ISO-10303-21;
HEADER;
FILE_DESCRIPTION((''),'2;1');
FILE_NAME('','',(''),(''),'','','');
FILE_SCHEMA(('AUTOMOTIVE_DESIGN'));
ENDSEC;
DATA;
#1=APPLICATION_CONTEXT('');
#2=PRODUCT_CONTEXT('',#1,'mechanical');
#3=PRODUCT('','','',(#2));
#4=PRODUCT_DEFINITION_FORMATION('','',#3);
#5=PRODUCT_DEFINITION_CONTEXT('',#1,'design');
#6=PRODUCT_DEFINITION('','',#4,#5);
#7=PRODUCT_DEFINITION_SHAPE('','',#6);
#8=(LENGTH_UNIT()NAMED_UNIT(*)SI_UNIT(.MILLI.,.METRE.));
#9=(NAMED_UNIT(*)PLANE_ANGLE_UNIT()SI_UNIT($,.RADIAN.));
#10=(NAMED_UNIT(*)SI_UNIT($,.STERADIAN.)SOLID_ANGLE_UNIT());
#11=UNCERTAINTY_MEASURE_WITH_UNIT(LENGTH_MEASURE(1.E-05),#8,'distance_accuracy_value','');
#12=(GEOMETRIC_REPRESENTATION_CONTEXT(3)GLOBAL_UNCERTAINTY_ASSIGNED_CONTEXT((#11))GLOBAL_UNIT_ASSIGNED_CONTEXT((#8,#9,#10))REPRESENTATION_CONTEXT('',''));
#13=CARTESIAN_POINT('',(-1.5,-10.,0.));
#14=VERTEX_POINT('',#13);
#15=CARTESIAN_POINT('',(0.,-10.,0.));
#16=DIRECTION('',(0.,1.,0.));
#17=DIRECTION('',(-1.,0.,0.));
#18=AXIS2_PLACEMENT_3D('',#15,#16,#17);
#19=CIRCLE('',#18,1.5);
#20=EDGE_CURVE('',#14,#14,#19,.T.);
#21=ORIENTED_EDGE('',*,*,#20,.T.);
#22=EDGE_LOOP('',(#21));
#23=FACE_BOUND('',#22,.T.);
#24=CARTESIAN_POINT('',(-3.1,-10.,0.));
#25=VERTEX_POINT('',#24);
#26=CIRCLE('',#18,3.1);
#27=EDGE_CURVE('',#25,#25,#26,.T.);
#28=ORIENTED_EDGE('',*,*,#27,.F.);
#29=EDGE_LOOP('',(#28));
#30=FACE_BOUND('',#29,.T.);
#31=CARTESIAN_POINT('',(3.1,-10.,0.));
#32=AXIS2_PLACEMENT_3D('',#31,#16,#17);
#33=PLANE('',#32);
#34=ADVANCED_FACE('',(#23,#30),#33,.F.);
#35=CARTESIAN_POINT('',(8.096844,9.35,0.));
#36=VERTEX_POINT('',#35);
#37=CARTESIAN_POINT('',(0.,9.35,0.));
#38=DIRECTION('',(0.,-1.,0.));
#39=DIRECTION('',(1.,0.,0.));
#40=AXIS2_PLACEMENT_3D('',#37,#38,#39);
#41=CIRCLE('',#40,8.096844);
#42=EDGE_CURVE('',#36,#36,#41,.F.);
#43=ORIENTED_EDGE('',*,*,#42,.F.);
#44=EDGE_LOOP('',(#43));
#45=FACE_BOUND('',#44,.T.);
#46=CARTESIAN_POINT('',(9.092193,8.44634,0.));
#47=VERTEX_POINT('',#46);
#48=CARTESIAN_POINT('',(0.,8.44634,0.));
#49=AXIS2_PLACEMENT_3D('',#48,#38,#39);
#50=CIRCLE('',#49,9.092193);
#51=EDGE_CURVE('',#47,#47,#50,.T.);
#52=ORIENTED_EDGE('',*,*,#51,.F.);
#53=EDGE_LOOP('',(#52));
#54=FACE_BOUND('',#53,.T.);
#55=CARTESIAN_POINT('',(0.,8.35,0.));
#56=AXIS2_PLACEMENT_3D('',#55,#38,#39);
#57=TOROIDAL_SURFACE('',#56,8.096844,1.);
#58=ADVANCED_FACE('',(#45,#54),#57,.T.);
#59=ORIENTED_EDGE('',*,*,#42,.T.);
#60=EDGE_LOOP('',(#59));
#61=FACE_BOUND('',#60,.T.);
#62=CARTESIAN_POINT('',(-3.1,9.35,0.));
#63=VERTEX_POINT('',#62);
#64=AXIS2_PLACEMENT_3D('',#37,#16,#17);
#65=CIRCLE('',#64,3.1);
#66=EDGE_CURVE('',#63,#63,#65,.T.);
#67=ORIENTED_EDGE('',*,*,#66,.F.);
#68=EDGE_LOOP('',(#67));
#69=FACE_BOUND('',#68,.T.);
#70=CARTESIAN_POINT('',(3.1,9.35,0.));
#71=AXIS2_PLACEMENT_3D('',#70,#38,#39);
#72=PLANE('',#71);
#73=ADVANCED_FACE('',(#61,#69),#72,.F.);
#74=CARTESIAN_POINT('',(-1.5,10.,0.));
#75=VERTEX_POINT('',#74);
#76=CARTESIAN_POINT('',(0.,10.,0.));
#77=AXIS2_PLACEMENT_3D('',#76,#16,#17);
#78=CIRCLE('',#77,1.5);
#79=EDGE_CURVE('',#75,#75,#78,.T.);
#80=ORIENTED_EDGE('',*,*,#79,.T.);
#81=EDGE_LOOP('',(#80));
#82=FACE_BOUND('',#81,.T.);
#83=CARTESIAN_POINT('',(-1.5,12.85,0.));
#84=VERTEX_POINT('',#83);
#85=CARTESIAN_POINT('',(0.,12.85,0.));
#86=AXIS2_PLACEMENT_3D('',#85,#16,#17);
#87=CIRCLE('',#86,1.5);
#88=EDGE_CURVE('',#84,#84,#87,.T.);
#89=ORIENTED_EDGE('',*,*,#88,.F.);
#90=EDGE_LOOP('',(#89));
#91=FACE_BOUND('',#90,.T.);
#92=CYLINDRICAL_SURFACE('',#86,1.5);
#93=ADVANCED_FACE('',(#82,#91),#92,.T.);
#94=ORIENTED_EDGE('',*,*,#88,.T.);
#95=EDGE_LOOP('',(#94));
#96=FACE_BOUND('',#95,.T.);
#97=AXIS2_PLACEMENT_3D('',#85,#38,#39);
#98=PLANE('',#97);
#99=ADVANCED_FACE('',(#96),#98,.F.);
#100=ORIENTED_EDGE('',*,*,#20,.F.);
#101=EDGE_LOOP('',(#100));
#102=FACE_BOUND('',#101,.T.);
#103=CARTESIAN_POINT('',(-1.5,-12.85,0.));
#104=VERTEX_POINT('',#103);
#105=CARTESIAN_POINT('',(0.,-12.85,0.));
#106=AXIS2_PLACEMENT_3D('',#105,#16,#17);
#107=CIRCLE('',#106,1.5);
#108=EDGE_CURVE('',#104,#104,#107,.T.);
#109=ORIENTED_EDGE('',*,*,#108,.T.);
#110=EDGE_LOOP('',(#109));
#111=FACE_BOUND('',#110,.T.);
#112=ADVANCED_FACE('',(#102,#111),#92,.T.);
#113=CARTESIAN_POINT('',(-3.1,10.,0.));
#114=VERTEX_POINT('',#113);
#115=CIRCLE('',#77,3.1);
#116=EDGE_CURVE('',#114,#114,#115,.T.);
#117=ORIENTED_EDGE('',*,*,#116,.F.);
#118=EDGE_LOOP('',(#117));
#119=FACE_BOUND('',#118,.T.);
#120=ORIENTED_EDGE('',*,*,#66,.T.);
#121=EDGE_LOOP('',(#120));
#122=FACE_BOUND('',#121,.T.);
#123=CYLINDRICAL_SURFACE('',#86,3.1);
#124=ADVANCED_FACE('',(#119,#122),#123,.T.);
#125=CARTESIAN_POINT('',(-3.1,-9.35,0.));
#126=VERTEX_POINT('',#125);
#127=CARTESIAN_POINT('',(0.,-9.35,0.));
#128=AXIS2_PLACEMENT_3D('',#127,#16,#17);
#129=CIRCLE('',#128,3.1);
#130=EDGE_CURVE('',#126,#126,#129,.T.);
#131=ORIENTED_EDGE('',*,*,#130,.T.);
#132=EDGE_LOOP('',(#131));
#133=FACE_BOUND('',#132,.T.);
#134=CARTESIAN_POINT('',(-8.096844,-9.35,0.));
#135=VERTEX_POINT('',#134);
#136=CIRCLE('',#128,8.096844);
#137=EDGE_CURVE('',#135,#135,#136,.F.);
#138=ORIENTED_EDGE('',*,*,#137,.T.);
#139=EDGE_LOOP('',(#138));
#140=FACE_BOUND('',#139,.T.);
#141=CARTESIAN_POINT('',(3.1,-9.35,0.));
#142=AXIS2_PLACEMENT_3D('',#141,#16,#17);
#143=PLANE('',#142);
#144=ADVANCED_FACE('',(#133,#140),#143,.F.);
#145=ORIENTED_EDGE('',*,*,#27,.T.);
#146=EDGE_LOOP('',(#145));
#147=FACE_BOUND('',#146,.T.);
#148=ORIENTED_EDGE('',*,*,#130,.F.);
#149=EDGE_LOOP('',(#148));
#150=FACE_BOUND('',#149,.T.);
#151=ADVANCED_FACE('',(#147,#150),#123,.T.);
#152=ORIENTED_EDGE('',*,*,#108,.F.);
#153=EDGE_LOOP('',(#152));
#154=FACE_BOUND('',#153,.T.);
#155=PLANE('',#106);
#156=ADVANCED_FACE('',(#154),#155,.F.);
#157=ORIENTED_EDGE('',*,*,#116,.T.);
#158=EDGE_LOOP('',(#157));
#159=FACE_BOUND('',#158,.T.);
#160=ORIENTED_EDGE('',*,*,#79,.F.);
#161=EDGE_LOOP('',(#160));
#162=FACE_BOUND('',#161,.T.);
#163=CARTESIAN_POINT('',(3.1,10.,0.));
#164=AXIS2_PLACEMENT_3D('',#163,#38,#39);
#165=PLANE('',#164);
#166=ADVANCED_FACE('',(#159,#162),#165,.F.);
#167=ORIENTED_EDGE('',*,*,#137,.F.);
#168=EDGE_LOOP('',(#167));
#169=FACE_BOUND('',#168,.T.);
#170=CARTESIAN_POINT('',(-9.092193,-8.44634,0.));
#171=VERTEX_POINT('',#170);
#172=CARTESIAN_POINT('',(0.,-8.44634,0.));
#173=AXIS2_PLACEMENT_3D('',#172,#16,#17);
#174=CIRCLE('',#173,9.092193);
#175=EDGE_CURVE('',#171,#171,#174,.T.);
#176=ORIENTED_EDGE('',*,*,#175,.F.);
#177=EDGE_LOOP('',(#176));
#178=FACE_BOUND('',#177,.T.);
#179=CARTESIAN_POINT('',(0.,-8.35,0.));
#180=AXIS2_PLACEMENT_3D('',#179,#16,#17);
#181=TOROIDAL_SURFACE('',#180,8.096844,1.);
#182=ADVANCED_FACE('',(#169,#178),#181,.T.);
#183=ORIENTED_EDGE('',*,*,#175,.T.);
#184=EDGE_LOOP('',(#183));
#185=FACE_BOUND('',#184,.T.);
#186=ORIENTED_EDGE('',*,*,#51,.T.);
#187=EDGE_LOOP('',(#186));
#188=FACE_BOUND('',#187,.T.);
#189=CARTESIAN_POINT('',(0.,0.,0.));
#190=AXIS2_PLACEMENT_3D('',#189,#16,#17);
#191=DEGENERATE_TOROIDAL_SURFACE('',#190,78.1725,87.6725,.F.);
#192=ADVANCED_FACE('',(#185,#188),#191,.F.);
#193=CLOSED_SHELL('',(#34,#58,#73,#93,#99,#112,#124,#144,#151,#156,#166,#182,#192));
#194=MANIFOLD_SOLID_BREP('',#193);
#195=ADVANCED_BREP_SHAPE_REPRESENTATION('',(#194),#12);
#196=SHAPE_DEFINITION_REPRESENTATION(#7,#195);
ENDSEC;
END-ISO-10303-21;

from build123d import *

# Parameters (mm, degrees)
FILLET_1_R = 1


with BuildPart() as part:
    # 草图1 → 旋转1 (revolve)
    with BuildSketch(Plane.XY, mode=Mode.PRIVATE) as revolve_1_sk:
        with BuildLine():
            Line((0, 12.85), (0, -12.85))
            Line((0, -12.85), (1.5, -12.85))
            Line((1.5, -12.85), (1.5, -10))
            Line((1.5, -10), (3.1, -10))
            Line((3.1, -10), (3.1, -9.35))
            Line((3.1, -9.35), (9, -9.35))
            ThreePointArc((9, -9.35), (9.5, 0), (9, 9.35))
            Line((9, 9.35), (3.1, 9.35))
            Line((3.1, 9.35), (3.1, 10))
            Line((3.1, 10), (1.5, 10))
            Line((1.5, 10), (1.5, 12.85))
            Line((1.5, 12.85), (0, 12.85))
        make_face()
    revolve(revolve_1_sk.sketch.rotate(Axis((0, 12.85, 0), (0, -1, 0)), 180), axis=Axis((0, 12.85, 0), (0, -1, 0)))

    # 圆角1
    fillet_1_edges = [part.edges().sort_by_distance(p)[0] for p in [
        (9, -9.35, 0),
        (9, 9.35, 0),
    ]]
    fillet(fillet_1_edges, radius=FILLET_1_R)


solid = part.part
